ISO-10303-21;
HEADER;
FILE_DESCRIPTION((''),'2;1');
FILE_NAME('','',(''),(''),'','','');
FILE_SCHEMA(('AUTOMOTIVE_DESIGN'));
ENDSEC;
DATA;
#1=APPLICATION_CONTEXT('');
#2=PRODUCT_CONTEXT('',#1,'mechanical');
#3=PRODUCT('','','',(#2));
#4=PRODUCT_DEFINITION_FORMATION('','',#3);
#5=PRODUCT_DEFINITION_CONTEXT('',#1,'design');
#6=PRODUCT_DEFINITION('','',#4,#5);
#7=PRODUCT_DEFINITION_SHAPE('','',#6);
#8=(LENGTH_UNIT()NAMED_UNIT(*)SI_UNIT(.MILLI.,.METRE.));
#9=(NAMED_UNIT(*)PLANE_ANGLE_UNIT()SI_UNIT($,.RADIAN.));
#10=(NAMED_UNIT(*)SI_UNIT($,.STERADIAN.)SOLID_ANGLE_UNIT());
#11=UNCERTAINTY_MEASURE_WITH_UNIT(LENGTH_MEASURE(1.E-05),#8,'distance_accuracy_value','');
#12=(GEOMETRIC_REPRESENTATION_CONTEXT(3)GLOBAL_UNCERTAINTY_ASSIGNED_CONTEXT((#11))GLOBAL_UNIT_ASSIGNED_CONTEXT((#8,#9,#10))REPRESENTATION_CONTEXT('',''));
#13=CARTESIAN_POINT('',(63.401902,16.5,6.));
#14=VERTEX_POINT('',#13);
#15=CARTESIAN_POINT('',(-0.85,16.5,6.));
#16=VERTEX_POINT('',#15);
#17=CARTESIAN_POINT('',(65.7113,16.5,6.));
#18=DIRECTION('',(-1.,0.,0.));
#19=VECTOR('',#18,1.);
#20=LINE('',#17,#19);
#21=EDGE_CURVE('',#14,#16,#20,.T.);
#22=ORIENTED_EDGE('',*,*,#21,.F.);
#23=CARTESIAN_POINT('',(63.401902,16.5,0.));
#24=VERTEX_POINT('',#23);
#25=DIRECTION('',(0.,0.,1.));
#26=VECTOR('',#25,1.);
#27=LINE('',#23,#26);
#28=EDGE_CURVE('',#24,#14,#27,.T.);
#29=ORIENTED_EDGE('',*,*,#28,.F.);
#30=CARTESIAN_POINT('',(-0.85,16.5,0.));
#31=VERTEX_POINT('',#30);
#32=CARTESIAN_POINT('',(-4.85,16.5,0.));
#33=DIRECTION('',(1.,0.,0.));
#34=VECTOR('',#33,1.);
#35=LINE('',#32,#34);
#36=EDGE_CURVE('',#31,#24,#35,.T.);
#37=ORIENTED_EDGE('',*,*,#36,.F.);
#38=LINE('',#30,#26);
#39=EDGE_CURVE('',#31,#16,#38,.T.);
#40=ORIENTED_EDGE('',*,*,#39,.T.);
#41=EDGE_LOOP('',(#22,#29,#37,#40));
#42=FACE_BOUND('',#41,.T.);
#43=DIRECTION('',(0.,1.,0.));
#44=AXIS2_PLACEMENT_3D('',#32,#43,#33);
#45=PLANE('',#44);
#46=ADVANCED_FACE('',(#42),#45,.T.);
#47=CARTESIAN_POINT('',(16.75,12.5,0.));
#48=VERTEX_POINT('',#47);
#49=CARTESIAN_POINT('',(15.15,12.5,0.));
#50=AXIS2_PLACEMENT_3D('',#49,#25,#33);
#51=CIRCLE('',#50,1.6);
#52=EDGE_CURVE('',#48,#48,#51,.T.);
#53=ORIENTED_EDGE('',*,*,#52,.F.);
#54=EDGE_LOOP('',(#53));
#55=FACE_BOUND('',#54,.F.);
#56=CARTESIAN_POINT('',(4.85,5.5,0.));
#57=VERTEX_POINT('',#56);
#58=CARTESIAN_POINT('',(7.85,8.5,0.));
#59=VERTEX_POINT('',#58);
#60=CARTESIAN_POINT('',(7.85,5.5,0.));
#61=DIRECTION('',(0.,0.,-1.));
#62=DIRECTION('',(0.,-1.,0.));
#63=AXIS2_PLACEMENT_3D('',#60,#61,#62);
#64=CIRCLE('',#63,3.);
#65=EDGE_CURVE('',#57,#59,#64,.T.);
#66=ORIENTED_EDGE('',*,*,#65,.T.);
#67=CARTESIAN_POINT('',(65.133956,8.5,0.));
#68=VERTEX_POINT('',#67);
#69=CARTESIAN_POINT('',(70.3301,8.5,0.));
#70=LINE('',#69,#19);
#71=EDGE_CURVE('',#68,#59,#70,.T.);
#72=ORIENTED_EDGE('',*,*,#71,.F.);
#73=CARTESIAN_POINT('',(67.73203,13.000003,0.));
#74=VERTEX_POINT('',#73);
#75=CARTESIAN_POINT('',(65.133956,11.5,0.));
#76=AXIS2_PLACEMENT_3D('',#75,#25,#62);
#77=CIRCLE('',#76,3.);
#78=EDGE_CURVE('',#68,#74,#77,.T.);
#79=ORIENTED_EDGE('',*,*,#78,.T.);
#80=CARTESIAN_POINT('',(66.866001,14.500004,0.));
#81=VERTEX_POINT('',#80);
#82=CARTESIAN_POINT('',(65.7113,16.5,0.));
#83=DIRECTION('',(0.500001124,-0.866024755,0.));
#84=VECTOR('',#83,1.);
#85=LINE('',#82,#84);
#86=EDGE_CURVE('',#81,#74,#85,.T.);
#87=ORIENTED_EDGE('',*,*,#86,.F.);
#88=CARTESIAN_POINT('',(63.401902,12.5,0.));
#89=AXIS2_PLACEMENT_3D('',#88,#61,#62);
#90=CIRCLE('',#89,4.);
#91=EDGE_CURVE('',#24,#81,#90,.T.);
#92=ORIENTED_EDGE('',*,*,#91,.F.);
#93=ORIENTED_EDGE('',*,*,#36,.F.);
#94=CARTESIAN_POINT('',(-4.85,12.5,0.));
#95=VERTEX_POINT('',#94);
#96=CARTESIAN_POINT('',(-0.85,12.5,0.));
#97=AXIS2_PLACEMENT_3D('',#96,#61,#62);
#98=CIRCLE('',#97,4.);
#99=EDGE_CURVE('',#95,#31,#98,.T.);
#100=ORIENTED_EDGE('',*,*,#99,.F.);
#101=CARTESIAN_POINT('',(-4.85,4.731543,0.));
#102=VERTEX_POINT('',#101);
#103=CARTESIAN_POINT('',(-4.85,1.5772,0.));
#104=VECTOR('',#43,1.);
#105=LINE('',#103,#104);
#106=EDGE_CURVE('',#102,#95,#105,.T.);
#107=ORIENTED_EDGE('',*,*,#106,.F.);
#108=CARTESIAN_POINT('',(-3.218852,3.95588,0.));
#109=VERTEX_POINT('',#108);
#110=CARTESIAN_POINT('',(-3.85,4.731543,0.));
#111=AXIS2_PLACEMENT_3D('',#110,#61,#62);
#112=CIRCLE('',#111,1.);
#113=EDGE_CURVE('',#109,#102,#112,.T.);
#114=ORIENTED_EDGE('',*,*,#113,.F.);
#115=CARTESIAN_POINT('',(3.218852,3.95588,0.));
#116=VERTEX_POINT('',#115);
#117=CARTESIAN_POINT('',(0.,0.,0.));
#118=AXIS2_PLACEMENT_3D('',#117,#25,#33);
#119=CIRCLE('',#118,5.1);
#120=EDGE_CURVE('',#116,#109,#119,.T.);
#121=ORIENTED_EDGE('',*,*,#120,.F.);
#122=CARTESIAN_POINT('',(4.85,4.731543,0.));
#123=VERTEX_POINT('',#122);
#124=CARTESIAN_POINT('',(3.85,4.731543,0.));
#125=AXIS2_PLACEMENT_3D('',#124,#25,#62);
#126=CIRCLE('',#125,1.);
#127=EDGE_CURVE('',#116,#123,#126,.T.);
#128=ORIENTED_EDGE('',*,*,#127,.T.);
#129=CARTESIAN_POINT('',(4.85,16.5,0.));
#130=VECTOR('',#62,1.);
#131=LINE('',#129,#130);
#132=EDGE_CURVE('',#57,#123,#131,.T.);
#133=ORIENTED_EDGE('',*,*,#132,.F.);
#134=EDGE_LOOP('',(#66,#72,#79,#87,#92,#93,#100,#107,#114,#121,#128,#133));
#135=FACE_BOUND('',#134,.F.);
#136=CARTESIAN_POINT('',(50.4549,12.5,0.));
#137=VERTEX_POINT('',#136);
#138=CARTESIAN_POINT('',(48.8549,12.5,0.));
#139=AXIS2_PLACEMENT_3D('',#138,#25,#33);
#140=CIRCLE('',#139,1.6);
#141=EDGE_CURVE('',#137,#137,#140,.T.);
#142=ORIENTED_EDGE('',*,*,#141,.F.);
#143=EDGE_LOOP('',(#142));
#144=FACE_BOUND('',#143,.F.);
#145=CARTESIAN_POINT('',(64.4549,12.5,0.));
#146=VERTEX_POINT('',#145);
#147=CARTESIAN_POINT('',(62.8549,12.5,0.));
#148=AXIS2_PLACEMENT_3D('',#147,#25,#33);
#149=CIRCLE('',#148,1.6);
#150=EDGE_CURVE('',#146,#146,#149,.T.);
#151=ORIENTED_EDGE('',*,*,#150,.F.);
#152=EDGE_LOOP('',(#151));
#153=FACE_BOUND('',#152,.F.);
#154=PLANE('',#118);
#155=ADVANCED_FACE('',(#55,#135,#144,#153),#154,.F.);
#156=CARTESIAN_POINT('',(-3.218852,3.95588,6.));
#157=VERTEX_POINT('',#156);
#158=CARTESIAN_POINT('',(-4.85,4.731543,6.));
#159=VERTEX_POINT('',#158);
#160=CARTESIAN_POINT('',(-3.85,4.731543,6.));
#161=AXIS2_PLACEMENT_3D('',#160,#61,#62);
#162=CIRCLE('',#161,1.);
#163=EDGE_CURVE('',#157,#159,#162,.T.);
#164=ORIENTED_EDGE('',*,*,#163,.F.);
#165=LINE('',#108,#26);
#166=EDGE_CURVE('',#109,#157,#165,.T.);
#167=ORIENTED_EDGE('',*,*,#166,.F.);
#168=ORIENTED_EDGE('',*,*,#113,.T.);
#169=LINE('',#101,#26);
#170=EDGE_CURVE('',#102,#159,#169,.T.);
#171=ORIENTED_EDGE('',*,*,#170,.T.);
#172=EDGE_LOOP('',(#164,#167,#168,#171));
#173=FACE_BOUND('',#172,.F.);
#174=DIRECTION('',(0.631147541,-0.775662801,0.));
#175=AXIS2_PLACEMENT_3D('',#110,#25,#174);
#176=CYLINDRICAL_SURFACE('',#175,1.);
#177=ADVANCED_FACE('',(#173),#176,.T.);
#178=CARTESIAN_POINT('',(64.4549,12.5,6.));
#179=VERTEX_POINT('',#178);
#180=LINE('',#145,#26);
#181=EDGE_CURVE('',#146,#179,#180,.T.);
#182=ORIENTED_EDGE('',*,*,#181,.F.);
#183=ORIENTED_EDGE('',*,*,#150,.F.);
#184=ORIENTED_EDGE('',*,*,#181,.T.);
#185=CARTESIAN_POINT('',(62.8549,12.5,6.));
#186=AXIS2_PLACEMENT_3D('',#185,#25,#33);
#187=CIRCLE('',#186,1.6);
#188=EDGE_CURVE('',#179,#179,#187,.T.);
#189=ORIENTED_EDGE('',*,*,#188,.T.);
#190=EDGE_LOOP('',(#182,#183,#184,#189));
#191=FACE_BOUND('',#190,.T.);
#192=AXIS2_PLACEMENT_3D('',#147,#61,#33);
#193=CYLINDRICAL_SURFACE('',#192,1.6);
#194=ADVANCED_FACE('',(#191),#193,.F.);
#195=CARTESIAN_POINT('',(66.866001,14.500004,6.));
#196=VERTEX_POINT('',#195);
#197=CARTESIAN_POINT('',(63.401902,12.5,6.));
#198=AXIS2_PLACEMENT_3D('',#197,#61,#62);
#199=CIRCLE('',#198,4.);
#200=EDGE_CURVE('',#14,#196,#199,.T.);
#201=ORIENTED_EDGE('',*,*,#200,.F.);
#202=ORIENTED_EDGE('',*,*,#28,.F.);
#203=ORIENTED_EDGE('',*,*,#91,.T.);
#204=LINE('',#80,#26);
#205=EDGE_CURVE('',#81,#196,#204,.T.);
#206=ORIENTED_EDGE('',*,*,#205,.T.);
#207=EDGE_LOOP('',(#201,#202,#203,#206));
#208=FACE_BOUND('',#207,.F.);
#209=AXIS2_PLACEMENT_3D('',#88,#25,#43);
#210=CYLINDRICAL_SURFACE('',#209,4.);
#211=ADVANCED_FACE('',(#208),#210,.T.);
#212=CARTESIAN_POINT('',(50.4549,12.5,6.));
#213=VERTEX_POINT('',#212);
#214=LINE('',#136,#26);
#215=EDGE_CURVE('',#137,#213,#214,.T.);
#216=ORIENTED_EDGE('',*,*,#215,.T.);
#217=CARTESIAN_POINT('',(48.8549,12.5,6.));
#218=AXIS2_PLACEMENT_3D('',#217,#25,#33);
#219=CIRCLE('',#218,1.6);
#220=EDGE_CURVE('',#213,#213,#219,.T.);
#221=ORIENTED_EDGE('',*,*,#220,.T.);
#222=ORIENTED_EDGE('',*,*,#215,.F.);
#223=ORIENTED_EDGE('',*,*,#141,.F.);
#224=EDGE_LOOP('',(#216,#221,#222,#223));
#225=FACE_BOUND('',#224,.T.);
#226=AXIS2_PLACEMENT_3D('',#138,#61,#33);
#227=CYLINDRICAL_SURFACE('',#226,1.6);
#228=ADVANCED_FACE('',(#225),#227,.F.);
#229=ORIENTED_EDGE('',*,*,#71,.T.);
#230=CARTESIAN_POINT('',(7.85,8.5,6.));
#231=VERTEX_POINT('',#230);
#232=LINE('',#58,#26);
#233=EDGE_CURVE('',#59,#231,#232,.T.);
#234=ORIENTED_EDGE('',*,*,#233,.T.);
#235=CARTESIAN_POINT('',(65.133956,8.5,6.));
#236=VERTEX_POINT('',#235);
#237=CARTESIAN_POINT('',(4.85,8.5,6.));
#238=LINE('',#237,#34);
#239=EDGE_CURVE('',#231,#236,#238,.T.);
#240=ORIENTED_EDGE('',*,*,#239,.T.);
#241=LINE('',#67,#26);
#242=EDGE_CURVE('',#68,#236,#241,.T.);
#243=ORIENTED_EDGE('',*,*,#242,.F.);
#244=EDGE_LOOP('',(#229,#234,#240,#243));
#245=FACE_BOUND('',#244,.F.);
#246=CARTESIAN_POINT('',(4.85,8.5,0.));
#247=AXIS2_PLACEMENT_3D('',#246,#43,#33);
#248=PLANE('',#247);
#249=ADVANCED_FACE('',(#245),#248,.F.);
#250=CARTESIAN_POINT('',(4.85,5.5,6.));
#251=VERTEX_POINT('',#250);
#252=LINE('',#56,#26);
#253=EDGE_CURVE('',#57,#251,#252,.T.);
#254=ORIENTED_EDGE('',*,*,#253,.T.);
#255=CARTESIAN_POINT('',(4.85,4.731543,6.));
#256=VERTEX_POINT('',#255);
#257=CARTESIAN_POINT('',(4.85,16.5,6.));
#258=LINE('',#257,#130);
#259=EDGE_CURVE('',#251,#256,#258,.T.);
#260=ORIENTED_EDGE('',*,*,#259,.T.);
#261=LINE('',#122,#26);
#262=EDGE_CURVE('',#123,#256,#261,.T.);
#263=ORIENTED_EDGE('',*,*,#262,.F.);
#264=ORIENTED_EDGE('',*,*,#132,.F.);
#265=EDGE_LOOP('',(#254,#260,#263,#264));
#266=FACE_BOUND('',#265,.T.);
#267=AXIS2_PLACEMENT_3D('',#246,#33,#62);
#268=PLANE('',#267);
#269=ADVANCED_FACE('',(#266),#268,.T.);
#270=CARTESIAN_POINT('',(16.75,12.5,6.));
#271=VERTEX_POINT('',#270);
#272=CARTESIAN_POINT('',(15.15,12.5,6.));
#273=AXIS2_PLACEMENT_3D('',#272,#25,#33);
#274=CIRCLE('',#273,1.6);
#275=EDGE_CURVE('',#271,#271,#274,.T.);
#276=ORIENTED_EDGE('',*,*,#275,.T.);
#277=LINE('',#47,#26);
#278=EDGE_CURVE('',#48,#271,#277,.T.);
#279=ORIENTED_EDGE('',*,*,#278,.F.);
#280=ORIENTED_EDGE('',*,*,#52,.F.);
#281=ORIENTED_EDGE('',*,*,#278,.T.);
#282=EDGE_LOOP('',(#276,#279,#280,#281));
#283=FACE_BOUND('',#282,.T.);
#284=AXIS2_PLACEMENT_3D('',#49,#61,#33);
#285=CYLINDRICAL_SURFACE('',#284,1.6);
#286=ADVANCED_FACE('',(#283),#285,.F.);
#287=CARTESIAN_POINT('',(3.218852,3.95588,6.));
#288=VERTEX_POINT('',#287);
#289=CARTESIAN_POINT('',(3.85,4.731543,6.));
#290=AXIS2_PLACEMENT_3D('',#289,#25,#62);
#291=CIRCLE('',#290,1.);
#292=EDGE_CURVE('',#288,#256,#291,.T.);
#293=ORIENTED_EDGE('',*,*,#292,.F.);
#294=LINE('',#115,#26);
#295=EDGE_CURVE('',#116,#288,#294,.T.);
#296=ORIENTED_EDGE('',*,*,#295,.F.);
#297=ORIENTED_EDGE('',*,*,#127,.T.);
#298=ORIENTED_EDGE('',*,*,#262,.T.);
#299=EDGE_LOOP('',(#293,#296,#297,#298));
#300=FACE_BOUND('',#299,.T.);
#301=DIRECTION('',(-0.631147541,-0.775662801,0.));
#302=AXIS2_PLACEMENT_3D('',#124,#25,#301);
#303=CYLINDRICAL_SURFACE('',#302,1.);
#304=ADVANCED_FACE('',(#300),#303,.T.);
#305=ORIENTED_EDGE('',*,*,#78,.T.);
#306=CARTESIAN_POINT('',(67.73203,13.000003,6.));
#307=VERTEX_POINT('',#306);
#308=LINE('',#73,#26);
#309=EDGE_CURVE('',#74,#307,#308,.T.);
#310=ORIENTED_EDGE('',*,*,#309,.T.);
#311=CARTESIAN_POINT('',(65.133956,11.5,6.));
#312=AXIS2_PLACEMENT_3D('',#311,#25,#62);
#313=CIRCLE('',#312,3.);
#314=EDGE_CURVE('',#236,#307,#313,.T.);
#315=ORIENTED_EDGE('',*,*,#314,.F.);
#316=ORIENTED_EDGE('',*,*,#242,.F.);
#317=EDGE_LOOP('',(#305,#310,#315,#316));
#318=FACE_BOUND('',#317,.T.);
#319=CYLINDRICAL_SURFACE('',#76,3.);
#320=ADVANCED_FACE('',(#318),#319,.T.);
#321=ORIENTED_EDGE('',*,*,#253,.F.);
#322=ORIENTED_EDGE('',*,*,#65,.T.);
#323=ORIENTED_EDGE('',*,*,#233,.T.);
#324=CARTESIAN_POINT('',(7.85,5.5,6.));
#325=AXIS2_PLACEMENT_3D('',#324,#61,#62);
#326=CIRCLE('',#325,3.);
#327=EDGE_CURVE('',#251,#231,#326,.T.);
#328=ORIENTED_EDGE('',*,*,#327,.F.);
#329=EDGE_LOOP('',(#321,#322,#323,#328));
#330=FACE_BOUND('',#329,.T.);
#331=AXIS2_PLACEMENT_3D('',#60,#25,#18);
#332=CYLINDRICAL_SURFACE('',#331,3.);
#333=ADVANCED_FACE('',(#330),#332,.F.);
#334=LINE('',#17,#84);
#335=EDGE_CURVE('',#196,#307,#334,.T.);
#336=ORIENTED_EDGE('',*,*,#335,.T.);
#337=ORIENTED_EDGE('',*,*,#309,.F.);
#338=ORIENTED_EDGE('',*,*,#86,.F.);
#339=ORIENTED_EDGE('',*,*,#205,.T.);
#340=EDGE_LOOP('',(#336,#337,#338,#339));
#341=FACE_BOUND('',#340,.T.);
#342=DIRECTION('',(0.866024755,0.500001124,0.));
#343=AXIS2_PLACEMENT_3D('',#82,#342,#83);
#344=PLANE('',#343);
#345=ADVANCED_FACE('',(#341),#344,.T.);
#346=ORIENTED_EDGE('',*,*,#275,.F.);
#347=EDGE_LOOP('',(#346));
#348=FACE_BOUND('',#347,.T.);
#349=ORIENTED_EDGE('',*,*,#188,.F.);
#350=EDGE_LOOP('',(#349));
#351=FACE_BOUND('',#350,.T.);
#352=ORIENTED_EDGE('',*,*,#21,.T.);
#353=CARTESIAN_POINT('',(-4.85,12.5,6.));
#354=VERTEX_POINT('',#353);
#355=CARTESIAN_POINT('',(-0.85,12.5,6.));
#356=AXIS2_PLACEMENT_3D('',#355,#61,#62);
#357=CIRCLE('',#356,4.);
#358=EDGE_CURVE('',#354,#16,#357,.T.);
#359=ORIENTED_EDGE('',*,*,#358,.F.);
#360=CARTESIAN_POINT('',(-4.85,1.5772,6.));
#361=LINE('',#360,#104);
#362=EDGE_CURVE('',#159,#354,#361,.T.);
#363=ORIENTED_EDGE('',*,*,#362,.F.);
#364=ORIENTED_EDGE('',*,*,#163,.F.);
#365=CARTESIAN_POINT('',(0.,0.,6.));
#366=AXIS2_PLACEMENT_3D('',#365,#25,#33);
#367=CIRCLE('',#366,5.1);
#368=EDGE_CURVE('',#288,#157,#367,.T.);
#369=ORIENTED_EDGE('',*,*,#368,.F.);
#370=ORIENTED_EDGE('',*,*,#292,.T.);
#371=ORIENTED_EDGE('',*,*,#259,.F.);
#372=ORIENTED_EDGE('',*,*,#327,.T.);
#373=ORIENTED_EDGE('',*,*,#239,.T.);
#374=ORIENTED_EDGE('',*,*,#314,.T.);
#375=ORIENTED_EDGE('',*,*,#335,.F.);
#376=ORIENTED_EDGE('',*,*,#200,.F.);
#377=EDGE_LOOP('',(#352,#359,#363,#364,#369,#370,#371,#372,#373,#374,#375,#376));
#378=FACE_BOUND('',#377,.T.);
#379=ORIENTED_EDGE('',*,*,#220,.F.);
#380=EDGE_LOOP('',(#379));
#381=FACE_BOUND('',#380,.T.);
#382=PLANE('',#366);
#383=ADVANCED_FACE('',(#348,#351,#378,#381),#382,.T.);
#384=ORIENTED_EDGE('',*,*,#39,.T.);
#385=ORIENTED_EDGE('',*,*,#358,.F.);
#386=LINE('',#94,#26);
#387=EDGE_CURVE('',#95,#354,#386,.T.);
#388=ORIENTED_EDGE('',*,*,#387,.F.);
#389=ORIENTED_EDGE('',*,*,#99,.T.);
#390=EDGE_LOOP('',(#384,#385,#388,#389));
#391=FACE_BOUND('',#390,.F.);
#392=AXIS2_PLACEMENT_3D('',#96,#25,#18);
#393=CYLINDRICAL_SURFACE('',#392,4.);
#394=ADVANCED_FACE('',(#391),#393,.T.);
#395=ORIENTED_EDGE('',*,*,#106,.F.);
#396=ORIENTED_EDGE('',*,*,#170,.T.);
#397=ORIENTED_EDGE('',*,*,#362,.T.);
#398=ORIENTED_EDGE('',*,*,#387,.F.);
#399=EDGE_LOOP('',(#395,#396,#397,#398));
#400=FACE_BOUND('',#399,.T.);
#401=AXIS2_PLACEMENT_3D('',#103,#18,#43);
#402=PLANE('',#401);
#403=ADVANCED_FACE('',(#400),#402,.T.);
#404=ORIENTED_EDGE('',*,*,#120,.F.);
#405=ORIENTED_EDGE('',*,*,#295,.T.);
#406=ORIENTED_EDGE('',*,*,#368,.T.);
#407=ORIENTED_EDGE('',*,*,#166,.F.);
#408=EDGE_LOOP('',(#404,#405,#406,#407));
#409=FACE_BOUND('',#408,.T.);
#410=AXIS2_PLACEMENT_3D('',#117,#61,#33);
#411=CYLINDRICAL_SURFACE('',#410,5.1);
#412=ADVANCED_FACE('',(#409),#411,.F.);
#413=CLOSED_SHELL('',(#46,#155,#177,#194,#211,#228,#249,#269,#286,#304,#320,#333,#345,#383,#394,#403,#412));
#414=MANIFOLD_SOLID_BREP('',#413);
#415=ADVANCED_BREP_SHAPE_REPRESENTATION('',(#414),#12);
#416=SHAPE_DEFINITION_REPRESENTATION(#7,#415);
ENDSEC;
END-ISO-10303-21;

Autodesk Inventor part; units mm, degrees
ref_plane "YZ Plane" through (0, 0, 0) normal (1, 0, 0) x (0, 1, 0)
ref_plane "XZ Plane" through (0, 0, 0) normal (0, 1, 0) x (-1, 0, 0)
ref_plane "XY Plane" through (0, 0, 0) normal (0, 0, 1) x (1, 0, 0)
sketch "Эскиз1" plane through (0, 0, 0) normal (0, 0, 1) x (1, 0, 0)
  circle A0 centre (0, 0) radius 5.1
  circle A1 centre (66, 0) radius 4
  line L0 (-20.92, 0) -> (89.82, 0) construction
  line L1 (-5.1, 0) -> (-5.1, 14) construction
  line L2 (5.1, 0) -> (5.1, 14) construction
  line L3 (-4.85, 1.5772) -> (-4.85, 16.5)
  line L4 (-4.85, 16.5) -> (65.7113, 16.5)
  line L5 (65.7113, 16.5) -> (72.9282, 4)
  line L6 (59.0718, -4) -> (51.8549, 8.5)
  line L7 (4.85, 16.5) -> (4.85, 1.5772)
  line L8 (4.85, 8.5) -> (70.3301, 8.5)
  circle A2 centre (66, 0) radius 8
  line L9 (51.8549, 8.5) -> (51.8549, 16.5) construction
  line L10 (68.0207, 12.5) -> (-4.85, 12.5) construction
  circle A3 centre (62.8549, 12.5) radius 1.6
  circle A4 centre (15.15, 12.5) radius 1.6
  circle A5 centre (48.8549, 12.5) radius 1.6
  line L11 (43.8549, 8.5) -> (43.8549, 16.5)
  point P0 (51.8549, 12.5)
  dimension "d0" = 10.2
  dimension "d1" = 8
  dimension "d2" = 66
  dimension "d3" = 0.25
  dimension "d4" = 0.25
  dimension "d5" = 8.5
  dimension "d6" = 16
  dimension "d7" = 60
  dimension "d8" = 8
  dimension "d9" = 3.2
  dimension "d10" = 3.2
  dimension "d12" = 20
  dimension "d18" = 3.2
  dimension "d20" = 14
  dimension "d21" = 8
  dimension "d22" = 5
extrude "Выдавливание1" add sketch "Эскиз1" along normal blind 6 contours A0 L3 L4 L7 | L7 L4 L11 L8 | L11 L4 L5 L8
fillet "Сопряжение1" radius 3 2 edges at (4.85, 8.5, 3) (70.3301, 8.5, 3)
fillet "Сопряжение1" radius 4 2 edges at (-4.85, 16.5, 3) (65.7113, 16.5, 3)
fillet "Сопряжение1" radius 1 2 edges at (4.85, 1.5772, 3) (-4.85, 1.5772, 3)
equation "\"d4\" = d3"
equation "\"d10\" = d18"
equation "\"d18\" = d9"
properties part number "Рычаг фиксатора 1"
